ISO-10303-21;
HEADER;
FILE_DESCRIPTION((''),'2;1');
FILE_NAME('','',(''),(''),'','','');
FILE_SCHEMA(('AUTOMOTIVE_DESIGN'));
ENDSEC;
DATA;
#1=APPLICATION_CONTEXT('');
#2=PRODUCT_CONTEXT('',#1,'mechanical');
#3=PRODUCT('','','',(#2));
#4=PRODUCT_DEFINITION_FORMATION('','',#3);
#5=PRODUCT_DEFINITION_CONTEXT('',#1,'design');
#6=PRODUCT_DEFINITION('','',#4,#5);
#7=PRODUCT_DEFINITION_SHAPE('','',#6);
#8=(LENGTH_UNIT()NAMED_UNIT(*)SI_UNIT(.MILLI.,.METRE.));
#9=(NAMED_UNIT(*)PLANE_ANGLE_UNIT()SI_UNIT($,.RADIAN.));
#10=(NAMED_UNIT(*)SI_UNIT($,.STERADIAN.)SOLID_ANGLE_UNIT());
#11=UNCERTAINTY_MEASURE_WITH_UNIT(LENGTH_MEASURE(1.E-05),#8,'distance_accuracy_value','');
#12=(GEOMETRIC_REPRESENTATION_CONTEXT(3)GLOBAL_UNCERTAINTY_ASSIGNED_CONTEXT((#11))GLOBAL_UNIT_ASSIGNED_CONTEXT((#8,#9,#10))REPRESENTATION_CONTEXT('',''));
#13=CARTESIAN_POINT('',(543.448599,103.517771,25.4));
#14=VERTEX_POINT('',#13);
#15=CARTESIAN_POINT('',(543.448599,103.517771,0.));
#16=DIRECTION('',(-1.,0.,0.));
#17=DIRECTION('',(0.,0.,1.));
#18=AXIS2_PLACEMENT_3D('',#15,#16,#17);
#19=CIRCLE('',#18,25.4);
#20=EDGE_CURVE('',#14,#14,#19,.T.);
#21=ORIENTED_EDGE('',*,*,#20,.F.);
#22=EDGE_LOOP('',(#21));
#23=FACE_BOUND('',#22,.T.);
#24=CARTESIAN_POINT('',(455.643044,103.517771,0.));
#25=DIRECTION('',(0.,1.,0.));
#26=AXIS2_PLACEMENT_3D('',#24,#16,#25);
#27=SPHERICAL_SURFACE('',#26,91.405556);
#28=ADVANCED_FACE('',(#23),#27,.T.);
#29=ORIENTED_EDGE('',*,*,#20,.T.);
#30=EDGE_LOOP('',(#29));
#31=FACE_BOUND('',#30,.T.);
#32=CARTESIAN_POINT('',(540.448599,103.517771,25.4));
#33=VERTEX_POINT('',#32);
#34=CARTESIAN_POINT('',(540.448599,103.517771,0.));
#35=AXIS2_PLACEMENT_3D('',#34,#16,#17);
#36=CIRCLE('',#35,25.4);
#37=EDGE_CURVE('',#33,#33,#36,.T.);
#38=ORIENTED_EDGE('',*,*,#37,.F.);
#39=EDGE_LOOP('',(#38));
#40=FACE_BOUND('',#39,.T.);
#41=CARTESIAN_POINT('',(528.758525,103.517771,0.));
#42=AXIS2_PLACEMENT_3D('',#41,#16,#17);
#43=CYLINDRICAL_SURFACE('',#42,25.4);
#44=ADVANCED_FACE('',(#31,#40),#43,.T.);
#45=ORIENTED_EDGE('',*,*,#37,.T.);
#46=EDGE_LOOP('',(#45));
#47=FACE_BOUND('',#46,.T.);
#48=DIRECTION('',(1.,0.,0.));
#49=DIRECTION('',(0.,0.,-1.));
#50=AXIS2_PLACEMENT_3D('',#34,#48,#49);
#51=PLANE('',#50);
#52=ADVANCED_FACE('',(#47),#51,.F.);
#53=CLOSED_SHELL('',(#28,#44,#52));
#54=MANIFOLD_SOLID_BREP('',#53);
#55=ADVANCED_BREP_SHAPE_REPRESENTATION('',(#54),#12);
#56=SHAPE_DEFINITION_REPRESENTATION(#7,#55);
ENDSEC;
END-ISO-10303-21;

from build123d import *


with BuildPart() as part:
    # 草图2 → 旋转1 (revolve)
    with BuildSketch(Plane.XY):
        with BuildLine():
            Line((540.448599106, 103.517771117), (540.448599106, 128.917771117))
            Line((540.448599106, 128.917771117), (543.448599106, 128.917771117))
            ThreePointArc((543.448599106, 128.917771117), (546.144124132, 116.344695924), (547.048599106, 103.517771117))
            Line((547.048599106, 103.517771117), (540.448599106, 103.517771117))
        make_face()
    revolve(axis=Axis((528.758525484, 103.517771117, 0), (1, 0, 0)))


solid = part.part
